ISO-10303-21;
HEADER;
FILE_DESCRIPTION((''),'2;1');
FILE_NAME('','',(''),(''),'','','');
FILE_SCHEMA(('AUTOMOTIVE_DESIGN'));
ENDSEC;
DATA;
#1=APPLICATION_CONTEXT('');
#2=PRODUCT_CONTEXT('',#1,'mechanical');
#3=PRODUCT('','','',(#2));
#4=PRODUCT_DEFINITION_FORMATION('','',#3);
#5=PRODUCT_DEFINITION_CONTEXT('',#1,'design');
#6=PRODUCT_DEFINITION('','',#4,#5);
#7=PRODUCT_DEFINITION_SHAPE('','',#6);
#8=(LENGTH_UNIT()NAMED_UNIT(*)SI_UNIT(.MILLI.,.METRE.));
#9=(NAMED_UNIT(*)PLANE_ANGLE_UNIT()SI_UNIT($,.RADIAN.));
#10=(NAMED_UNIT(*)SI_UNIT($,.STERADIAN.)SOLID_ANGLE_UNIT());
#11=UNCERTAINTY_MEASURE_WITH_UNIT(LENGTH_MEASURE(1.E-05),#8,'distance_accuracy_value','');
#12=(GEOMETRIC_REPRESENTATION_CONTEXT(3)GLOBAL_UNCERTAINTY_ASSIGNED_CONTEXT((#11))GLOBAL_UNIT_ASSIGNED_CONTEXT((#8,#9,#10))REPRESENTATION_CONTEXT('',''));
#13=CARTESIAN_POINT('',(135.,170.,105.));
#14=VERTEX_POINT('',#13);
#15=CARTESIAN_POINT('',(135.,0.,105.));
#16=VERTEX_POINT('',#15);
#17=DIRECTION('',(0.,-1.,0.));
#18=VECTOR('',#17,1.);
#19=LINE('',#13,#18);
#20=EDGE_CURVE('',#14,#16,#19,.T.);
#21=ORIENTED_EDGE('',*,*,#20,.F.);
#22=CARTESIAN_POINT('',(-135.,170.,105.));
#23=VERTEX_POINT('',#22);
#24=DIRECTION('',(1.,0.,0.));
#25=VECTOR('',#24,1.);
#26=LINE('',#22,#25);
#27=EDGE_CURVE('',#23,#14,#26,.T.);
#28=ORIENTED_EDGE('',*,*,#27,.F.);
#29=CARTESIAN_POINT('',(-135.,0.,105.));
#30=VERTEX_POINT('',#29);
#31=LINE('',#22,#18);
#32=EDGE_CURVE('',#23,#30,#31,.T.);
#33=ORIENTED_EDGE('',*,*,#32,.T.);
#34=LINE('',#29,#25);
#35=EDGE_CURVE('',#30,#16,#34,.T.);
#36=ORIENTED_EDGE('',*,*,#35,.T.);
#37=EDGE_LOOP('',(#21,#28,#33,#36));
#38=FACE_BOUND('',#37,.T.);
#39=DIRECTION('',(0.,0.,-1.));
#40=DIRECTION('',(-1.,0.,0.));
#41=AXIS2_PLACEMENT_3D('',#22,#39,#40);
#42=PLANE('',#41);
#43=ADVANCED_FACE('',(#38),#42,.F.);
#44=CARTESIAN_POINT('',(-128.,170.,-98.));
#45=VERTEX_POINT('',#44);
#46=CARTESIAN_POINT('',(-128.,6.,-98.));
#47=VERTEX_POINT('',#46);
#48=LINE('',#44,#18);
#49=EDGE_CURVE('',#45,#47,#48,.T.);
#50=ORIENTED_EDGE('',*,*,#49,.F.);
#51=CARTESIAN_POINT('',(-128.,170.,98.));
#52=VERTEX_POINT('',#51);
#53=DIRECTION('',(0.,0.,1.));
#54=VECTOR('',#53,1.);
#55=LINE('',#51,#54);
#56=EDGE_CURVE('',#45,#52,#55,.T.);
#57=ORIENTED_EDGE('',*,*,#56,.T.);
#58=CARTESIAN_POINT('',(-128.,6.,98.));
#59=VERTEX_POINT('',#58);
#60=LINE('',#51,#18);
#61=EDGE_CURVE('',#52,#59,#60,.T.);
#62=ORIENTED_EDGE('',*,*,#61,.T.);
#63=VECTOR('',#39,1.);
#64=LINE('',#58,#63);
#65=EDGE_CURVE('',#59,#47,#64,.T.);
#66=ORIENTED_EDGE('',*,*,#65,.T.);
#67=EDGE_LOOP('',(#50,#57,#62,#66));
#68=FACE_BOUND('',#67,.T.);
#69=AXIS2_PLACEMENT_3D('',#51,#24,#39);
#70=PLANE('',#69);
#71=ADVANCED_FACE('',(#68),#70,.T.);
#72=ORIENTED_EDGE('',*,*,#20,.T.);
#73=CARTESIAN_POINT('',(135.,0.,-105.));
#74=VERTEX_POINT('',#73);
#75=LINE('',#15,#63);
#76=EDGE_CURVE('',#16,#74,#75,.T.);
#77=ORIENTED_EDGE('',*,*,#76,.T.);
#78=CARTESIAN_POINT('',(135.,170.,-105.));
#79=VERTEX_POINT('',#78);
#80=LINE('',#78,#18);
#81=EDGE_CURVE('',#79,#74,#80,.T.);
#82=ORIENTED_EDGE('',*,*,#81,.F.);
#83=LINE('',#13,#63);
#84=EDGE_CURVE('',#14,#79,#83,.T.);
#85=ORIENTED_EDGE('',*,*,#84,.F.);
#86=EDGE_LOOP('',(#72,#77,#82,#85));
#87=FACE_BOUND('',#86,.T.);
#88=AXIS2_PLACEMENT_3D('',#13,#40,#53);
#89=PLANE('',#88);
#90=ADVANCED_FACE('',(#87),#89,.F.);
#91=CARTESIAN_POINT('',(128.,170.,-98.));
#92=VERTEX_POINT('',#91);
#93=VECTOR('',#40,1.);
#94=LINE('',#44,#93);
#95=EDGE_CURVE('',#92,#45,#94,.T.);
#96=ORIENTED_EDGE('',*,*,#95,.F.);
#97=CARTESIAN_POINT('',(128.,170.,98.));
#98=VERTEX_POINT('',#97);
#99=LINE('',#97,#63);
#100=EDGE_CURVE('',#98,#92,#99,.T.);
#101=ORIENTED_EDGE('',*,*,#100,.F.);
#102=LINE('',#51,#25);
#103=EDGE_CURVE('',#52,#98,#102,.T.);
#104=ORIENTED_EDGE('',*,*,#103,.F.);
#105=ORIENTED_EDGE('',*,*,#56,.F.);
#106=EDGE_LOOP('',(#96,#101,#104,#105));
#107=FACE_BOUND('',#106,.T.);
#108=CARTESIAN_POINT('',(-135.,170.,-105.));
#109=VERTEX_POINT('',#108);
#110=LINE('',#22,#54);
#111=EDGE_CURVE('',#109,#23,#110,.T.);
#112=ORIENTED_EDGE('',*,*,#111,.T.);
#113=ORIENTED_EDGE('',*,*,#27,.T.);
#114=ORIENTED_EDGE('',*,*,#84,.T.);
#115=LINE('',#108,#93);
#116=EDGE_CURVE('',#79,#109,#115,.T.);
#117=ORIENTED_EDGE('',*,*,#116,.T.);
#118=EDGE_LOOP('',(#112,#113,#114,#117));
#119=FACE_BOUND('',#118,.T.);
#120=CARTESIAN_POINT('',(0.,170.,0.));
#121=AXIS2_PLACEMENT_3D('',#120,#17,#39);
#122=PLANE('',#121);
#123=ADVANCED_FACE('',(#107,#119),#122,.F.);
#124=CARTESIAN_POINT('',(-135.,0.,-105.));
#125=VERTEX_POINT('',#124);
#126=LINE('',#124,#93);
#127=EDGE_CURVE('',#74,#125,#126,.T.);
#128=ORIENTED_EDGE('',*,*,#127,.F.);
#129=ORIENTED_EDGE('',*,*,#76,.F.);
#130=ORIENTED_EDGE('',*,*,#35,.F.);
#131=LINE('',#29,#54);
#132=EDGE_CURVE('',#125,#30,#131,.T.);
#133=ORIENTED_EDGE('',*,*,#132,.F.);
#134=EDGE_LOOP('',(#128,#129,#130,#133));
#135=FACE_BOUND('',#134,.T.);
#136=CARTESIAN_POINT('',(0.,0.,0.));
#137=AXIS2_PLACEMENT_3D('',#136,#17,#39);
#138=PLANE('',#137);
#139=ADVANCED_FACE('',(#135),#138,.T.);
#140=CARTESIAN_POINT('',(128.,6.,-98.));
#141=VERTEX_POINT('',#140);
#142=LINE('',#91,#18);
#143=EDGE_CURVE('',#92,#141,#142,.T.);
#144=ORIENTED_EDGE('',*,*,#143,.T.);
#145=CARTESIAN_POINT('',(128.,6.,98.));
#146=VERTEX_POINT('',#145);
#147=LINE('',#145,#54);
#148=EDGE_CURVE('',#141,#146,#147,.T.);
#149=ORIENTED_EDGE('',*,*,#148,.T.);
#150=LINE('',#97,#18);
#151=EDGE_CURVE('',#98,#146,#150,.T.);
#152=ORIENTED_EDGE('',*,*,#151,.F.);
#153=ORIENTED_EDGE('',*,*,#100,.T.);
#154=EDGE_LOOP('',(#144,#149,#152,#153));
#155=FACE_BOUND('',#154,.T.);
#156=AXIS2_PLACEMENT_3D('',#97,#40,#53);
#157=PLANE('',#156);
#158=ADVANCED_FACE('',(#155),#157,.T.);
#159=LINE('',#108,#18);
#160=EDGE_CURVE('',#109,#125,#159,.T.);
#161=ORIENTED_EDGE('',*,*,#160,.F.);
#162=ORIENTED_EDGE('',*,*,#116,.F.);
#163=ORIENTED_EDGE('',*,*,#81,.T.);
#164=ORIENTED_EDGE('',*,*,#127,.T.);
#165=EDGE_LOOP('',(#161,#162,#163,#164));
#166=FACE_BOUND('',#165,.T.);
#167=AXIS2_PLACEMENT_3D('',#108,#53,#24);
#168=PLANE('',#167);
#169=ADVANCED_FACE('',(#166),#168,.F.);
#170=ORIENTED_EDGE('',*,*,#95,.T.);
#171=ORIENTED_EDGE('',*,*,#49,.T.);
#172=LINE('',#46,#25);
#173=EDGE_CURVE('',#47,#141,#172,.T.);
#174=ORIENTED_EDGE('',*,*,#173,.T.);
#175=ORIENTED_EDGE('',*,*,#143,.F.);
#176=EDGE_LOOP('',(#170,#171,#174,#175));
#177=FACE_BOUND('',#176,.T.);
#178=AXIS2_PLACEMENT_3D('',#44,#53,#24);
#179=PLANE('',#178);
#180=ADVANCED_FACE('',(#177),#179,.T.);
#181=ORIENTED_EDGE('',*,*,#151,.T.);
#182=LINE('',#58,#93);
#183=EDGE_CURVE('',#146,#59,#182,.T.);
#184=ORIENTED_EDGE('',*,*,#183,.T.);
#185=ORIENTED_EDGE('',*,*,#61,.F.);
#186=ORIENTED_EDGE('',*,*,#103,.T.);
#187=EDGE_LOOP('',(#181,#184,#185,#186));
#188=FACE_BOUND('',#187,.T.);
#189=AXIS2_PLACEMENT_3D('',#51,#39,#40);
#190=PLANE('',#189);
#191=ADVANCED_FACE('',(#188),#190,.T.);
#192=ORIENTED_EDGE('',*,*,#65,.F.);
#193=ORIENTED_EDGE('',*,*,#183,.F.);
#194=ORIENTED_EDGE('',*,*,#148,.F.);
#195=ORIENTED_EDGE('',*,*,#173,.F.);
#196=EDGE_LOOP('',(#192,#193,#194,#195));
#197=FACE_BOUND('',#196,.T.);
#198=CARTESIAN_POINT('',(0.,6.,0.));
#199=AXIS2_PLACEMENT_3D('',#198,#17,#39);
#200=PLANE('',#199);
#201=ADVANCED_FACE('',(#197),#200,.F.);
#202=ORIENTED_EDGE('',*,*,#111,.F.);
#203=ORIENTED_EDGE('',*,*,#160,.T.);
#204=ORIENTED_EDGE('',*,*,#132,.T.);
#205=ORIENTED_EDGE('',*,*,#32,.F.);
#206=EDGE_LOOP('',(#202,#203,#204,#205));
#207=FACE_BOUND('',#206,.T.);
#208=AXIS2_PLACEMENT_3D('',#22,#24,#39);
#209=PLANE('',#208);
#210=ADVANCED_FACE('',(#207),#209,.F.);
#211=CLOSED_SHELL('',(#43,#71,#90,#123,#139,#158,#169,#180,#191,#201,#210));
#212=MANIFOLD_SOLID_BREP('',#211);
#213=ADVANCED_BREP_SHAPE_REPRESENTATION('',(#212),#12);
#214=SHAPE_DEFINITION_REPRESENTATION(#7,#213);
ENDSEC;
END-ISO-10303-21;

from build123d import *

# Parameters (mm, degrees)
SKETCH1_W         = 270
SKETCH1_H         = 210
SKETCH1_W_2       = 256
SKETCH1_H_2       = 196
COVER_WALLS_DEPTH = 170
SKETCH2_W         = 270
SKETCH2_H         = 210
COVER_ROOF_DEPTH  = 6


with BuildPart() as part:
    # Sketch1 → Cover_Walls (new body)
    with BuildSketch(Plane(origin=(0, 0, 0), x_dir=(1, 0, 0), z_dir=(0, 1, 0))):
        Rectangle(SKETCH1_W, SKETCH1_H)
        Rectangle(SKETCH1_W_2, SKETCH1_H_2, mode=Mode.SUBTRACT)
    extrude(amount=COVER_WALLS_DEPTH)

    # Sketch2 → Cover_Roof (add)
    with BuildSketch(Plane(origin=(0, 0, 0), x_dir=(1, 0, 0), z_dir=(0, 1, 0))):
        Rectangle(SKETCH2_W, SKETCH2_H)
    extrude(amount=COVER_ROOF_DEPTH)


solid = part.part
